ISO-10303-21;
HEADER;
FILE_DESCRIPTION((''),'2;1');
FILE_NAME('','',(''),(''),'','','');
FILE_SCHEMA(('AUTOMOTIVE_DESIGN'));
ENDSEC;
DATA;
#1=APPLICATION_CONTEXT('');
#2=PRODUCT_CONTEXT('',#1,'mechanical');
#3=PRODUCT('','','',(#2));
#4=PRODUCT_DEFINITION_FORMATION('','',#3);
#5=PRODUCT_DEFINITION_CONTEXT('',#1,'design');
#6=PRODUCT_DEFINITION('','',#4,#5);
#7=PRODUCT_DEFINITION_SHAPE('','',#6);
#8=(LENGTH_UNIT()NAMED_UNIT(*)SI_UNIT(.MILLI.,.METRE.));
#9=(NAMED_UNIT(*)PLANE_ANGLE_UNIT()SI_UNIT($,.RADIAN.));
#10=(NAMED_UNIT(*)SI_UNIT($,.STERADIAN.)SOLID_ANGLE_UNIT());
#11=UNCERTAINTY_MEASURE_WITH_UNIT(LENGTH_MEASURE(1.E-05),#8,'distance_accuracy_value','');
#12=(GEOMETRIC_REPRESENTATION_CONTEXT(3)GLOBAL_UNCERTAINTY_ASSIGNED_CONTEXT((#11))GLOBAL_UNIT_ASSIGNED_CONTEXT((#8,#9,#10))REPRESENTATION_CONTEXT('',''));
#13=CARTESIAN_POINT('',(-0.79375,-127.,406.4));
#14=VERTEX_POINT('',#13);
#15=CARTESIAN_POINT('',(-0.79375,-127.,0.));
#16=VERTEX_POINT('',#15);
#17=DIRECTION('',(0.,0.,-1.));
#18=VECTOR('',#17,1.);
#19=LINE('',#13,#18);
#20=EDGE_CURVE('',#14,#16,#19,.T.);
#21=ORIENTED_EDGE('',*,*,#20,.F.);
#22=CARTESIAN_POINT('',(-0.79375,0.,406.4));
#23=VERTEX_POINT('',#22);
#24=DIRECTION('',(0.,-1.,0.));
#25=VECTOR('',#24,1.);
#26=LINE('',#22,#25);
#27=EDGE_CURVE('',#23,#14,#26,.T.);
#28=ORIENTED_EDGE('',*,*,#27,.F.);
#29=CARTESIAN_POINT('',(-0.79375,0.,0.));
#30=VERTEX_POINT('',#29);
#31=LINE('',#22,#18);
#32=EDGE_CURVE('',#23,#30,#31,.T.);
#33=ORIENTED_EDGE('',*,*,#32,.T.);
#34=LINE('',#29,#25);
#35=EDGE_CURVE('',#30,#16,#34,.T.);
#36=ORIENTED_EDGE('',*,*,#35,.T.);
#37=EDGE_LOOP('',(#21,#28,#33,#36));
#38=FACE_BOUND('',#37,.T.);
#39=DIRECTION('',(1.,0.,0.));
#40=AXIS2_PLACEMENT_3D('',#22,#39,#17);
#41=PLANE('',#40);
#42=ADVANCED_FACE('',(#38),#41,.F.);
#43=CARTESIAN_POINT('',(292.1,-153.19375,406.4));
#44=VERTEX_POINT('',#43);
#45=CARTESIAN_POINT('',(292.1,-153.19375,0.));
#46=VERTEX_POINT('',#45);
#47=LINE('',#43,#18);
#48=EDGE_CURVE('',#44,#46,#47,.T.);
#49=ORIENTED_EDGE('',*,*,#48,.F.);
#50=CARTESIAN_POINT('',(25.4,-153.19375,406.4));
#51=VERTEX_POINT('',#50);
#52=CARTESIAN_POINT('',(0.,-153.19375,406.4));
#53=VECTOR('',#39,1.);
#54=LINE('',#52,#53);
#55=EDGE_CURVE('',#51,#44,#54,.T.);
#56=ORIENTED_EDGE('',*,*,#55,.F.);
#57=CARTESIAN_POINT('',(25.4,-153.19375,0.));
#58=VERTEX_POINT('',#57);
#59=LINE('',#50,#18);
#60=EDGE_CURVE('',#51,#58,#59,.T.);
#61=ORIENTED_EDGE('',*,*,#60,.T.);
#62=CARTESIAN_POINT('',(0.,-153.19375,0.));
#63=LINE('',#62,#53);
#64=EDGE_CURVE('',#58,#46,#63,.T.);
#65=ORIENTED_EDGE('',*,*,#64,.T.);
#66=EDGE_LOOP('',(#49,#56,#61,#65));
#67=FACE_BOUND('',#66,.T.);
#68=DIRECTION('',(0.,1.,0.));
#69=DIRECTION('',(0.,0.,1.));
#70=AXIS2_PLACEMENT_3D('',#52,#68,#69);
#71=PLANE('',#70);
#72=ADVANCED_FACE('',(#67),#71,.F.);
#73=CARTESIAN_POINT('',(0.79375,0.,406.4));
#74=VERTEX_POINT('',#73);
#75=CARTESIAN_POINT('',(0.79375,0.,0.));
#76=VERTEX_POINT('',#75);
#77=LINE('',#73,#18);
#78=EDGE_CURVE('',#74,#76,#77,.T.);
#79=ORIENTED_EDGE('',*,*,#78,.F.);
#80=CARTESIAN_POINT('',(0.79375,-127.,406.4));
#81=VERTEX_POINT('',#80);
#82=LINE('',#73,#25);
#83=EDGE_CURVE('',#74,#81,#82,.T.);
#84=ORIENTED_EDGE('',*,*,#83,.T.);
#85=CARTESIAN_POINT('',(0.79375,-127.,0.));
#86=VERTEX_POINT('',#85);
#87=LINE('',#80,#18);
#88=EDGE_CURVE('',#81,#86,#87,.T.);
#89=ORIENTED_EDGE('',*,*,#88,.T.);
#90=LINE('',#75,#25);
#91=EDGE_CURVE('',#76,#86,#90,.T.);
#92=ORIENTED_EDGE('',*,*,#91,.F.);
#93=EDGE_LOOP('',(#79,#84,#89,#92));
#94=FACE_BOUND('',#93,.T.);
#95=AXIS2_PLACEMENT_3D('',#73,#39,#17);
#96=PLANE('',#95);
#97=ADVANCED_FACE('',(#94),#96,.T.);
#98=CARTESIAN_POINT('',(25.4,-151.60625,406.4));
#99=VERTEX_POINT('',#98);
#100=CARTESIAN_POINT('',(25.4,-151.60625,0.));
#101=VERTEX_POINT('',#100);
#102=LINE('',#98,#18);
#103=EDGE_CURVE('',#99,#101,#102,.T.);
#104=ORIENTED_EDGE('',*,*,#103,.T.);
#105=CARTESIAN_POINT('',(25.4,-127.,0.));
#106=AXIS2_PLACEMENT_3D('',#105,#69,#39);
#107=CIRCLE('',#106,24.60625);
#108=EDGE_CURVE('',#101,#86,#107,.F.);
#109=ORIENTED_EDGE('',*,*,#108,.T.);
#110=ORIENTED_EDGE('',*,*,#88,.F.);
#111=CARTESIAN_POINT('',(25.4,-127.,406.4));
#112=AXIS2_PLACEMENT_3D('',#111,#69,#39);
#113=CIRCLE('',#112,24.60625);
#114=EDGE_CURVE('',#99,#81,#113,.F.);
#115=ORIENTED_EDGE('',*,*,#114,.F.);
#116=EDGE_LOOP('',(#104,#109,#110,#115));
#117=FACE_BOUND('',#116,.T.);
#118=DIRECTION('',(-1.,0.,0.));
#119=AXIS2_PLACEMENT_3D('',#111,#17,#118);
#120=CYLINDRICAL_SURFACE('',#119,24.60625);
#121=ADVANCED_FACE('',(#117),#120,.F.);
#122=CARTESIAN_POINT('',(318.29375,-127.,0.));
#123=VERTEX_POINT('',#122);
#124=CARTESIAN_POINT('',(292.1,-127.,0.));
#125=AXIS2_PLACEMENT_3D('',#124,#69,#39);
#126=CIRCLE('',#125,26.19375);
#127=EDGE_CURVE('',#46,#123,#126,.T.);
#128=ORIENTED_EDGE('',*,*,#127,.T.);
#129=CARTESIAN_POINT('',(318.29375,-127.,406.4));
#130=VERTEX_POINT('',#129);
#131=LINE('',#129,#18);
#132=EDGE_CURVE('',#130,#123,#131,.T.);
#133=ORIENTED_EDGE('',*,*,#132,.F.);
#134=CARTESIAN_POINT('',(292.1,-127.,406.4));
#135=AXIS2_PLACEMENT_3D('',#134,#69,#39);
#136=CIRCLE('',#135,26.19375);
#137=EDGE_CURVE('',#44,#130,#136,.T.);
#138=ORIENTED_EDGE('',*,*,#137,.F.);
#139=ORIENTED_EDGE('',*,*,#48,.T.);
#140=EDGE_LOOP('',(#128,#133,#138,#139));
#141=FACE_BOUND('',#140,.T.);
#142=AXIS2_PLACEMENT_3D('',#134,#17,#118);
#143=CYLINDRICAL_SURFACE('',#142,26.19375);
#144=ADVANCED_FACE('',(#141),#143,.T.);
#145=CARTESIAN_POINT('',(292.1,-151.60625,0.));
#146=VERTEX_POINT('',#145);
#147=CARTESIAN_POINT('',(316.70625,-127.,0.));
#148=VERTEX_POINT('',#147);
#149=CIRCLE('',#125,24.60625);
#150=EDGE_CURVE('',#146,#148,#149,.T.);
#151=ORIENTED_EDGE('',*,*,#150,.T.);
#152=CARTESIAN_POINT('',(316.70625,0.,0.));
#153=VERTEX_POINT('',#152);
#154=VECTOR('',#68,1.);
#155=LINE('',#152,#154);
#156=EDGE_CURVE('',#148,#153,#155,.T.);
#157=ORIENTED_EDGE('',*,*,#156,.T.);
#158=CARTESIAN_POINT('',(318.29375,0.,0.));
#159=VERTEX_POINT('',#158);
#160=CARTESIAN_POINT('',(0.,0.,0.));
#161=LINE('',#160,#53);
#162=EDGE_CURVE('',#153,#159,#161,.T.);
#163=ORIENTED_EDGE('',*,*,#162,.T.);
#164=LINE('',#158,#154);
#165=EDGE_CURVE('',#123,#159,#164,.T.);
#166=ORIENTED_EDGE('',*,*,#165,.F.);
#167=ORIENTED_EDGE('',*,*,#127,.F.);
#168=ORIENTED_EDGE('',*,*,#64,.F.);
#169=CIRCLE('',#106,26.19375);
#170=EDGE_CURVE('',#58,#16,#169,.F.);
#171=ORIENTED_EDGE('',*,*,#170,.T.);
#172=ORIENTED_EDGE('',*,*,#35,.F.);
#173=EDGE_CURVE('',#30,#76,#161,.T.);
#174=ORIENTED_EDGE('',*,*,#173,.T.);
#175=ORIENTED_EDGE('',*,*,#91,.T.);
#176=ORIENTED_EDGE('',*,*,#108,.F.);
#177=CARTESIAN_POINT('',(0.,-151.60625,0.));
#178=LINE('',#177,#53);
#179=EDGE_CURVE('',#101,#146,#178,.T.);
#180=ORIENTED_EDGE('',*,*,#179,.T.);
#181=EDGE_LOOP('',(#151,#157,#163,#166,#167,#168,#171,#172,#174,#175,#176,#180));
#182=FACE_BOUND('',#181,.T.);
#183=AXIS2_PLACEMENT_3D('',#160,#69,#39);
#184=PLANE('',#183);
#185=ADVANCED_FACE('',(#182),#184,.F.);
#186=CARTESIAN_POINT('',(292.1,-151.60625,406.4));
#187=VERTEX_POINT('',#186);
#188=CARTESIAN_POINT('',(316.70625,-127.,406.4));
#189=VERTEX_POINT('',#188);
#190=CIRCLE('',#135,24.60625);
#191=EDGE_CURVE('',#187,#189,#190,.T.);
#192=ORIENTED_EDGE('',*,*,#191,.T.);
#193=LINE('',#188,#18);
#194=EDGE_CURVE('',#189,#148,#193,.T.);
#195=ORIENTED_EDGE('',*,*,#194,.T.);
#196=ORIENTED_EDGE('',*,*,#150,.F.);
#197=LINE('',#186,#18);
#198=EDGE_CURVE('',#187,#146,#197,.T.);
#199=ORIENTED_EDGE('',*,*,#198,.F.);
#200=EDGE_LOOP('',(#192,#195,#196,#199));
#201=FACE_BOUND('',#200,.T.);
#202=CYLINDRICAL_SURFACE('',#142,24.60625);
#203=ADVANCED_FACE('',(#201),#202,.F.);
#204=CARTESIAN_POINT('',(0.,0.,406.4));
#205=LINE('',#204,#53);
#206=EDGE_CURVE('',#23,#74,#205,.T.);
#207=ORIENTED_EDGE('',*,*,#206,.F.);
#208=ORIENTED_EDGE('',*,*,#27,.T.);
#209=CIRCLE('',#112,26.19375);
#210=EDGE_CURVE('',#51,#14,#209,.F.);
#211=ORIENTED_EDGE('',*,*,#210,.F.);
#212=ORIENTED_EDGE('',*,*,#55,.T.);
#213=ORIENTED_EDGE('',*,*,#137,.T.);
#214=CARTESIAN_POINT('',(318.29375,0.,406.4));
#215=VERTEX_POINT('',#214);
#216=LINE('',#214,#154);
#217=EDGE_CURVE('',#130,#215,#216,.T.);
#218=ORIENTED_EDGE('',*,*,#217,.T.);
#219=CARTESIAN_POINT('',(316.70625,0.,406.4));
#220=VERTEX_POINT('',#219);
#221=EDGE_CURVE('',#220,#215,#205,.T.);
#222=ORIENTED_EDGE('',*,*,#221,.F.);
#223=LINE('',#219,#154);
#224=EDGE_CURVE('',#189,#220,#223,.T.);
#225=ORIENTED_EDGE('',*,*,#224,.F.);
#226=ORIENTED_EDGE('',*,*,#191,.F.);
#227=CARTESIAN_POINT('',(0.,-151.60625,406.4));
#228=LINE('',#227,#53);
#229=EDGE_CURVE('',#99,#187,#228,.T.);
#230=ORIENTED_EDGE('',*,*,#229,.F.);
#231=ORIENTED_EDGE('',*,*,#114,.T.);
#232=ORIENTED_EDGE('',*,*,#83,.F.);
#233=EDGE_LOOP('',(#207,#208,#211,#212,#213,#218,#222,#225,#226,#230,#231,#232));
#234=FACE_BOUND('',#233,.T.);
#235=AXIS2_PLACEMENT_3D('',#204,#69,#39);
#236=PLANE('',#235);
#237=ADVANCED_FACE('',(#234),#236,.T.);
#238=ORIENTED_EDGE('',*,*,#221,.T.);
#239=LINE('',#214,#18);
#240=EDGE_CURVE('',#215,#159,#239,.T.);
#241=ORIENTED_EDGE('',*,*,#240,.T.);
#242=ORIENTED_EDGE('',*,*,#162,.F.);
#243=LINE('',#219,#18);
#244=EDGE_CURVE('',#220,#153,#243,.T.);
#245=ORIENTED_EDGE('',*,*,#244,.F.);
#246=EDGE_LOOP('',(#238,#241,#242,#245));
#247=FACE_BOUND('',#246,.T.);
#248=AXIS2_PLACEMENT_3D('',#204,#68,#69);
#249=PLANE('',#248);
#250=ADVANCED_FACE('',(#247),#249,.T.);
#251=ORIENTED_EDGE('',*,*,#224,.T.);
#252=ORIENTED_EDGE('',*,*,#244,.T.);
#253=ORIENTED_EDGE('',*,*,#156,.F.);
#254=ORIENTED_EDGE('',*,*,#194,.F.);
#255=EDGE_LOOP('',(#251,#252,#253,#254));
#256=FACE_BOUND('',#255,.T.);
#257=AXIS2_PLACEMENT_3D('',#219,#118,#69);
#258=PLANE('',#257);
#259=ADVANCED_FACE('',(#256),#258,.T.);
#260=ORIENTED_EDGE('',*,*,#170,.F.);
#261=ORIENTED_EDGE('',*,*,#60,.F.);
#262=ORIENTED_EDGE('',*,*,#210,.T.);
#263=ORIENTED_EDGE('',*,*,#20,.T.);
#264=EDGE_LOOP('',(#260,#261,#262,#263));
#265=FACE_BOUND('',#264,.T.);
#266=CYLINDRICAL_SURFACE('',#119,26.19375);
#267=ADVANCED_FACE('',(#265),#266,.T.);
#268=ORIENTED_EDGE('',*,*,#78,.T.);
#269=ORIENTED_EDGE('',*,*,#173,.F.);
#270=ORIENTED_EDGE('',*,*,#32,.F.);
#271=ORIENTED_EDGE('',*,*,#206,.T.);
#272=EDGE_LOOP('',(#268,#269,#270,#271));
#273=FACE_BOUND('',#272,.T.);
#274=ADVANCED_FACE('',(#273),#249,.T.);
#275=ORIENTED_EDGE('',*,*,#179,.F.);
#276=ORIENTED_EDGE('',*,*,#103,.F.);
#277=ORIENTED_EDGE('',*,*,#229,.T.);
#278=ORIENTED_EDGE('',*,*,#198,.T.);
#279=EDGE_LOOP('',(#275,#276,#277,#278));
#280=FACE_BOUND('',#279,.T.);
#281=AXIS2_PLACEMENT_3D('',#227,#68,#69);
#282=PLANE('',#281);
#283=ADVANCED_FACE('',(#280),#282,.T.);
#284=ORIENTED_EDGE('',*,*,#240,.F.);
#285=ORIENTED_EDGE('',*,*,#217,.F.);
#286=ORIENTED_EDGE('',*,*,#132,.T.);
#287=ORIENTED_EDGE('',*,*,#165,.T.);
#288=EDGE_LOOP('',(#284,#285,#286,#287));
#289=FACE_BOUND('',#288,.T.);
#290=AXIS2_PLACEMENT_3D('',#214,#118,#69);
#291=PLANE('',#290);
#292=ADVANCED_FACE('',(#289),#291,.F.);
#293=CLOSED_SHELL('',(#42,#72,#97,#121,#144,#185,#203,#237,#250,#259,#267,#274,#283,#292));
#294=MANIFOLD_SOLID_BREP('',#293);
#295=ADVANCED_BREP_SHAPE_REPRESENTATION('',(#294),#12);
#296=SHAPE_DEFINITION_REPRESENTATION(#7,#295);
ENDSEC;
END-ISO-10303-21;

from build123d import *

# Parameters (mm, degrees)
BOSS_EXTRUDE1_DEPTH = 406.4


with BuildPart() as part:
    # Sketch1 → Boss-Extrude1 (new body)
    with BuildSketch(Plane.XY):
        with BuildLine():
            Line((0.79375, 0), (0, 0))
            Line((0, 0), (0, -127))
            ThreePointArc((0, -127), (7.439487758, -144.960512242), (25.4, -152.4))
            Line((25.4, -152.4), (292.1, -152.4))
            ThreePointArc((292.1, -152.4), (310.060512242, -144.960512242), (317.5, -127))
            Line((317.5, -127), (317.5, 0))
            Line((317.5, 0), (316.70625, 0))
            Line((316.70625, 0), (316.70625, -127))
            ThreePointArc((316.70625, -127), (309.499246235, -144.399246235), (292.1, -151.60625))
            Line((292.1, -151.60625), (25.4, -151.60625))
            ThreePointArc((25.4, -151.60625), (8.000753765, -144.399246235), (0.79375, -127))
            Line((0.79375, -127), (0.79375, 0))
        make_face()
        with BuildLine():
            Line((0, -127), (0, 0))
            Line((0, 0), (-0.79375, 0))
            Line((-0.79375, 0), (-0.79375, -127))
            ThreePointArc((-0.79375, -127), (6.87822175, -145.52177825), (25.4, -153.19375))
            Line((25.4, -153.19375), (292.1, -153.19375))
            ThreePointArc((292.1, -153.19375), (310.62177825, -145.52177825), (318.29375, -127))
            Line((318.29375, -127), (318.29375, 0))
            Line((318.29375, 0), (317.5, 0))
            Line((317.5, 0), (317.5, -127))
            ThreePointArc((317.5, -127), (310.060512242, -144.960512242), (292.1, -152.4))
            Line((292.1, -152.4), (25.4, -152.4))
            ThreePointArc((25.4, -152.4), (7.439487758, -144.960512242), (0, -127))
        make_face()
    extrude(amount=BOSS_EXTRUDE1_DEPTH)


solid = part.part
